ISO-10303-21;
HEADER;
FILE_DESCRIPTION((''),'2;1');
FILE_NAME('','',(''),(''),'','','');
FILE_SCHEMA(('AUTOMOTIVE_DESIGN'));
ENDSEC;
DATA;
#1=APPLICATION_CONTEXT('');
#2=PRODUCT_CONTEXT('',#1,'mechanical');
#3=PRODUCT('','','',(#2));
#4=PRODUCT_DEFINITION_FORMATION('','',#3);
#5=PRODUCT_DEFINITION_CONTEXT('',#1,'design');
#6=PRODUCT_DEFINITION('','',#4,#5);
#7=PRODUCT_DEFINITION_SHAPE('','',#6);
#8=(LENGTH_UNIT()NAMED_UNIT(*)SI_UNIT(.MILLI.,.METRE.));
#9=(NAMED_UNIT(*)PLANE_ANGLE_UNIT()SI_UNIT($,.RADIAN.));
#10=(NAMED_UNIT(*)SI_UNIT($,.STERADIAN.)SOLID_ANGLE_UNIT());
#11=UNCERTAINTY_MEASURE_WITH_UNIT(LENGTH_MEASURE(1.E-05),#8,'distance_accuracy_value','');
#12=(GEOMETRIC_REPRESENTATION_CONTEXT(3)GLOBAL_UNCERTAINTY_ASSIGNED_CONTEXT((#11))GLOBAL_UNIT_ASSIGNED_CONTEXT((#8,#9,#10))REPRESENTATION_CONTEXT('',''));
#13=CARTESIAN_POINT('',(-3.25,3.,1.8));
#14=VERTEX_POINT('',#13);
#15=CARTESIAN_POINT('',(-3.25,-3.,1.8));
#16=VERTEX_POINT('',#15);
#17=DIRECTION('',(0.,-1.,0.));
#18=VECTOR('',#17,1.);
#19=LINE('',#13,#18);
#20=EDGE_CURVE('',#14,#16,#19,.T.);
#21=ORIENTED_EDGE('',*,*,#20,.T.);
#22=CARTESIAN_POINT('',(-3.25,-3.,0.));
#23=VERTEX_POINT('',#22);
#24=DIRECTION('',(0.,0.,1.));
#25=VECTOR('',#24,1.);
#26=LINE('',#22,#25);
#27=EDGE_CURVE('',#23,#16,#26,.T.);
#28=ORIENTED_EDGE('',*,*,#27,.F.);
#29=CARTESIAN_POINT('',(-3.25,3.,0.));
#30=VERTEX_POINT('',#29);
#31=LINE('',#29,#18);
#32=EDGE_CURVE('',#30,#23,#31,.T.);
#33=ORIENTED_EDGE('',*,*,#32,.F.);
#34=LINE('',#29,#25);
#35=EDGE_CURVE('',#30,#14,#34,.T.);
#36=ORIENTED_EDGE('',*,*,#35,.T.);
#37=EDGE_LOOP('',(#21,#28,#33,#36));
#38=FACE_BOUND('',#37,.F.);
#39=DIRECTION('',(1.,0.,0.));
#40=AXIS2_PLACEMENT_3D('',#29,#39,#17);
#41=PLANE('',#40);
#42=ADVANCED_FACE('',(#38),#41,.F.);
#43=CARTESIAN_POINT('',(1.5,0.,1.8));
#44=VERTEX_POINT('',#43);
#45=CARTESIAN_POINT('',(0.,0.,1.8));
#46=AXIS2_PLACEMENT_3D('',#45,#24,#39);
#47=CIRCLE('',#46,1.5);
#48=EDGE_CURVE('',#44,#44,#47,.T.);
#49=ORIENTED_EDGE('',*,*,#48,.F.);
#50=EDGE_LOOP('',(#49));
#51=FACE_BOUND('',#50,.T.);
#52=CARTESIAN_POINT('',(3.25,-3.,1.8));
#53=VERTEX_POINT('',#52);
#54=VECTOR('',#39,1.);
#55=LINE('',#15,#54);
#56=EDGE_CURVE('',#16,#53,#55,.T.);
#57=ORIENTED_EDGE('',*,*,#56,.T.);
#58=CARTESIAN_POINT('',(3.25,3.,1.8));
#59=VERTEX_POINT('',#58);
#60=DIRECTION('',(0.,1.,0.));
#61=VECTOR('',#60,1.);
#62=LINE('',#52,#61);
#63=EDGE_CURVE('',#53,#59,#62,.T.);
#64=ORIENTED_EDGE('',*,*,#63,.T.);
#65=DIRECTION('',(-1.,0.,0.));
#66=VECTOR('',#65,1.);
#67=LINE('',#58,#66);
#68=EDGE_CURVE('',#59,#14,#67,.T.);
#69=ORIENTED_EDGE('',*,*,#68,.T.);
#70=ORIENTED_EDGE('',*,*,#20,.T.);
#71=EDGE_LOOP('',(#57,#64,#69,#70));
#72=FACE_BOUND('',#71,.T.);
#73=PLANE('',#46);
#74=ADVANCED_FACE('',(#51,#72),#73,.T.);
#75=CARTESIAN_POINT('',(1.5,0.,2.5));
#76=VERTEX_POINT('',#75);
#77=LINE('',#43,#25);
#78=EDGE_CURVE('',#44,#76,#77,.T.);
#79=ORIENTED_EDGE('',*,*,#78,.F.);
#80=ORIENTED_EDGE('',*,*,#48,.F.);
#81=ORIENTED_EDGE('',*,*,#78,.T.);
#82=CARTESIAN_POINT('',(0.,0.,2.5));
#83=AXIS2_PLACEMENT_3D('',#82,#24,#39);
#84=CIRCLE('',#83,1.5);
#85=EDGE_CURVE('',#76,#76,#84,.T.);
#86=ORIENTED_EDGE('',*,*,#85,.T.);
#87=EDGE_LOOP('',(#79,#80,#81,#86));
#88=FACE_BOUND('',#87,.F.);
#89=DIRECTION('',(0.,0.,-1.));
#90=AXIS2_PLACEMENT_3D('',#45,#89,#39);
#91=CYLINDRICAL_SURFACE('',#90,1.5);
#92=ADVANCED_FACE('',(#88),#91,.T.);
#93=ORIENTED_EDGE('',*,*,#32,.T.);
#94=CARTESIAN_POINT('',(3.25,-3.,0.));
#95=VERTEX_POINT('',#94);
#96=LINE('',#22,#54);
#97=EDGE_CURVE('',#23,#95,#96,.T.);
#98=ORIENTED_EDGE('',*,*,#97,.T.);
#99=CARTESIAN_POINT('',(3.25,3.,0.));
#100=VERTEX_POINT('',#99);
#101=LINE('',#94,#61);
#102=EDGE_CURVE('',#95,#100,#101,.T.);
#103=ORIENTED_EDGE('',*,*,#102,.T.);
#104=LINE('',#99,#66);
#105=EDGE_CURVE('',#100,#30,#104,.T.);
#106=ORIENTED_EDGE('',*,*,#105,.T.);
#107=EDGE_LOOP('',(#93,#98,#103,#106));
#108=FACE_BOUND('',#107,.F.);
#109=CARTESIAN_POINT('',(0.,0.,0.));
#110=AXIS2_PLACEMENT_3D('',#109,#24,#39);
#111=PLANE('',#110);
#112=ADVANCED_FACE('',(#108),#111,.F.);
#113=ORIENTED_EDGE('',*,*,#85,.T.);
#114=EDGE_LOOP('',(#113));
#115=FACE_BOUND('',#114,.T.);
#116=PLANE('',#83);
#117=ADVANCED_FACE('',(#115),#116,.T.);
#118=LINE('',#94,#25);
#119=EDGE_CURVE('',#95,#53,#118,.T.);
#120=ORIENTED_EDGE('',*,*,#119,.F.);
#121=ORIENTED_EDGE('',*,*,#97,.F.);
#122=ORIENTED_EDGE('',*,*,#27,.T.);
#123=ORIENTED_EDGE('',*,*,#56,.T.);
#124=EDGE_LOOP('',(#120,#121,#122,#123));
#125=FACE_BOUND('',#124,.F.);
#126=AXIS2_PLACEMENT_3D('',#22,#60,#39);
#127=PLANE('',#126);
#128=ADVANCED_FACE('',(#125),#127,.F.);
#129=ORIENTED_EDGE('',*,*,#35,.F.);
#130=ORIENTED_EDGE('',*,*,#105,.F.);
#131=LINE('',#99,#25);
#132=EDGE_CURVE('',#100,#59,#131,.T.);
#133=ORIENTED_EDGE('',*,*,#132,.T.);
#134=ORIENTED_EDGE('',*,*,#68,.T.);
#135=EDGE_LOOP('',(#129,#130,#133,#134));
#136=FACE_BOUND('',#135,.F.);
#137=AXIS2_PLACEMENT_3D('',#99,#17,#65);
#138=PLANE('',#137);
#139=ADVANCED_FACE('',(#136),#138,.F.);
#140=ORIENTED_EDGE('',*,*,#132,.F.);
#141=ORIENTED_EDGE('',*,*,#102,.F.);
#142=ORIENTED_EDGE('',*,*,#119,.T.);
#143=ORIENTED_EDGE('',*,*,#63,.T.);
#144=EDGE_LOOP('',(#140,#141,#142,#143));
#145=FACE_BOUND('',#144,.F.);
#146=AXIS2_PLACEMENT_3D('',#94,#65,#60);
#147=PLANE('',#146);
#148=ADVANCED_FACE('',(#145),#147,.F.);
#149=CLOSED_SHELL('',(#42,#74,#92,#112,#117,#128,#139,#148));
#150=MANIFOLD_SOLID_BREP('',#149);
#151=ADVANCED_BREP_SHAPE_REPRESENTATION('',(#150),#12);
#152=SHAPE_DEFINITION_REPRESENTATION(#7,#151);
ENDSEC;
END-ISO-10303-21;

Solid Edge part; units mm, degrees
sketch "Sketch1" plane through (0, 0, 0) normal (0, 0, 1) x (1, 0, 0)
  line L0 (-3.25, 3) -> (-3.25, -3)
  line L1 (-3.25, -3) -> (3.25, -3)
  line L2 (3.25, -3) -> (3.25, 3)
  line L3 (3.25, 3) -> (-3.25, 3)
extrude "Protrusion1" add sketch "Sketch1" along normal blind 1.8
sketch "Sketch2" plane through (0, 0, 1.8) normal (0, 0, 1) x (1, 0, 0)
  circle A0 centre (0, 0) radius 1.5
extrude "ExtrudedProtrusion_2" add sketch "Sketch2" along normal blind 0.7
